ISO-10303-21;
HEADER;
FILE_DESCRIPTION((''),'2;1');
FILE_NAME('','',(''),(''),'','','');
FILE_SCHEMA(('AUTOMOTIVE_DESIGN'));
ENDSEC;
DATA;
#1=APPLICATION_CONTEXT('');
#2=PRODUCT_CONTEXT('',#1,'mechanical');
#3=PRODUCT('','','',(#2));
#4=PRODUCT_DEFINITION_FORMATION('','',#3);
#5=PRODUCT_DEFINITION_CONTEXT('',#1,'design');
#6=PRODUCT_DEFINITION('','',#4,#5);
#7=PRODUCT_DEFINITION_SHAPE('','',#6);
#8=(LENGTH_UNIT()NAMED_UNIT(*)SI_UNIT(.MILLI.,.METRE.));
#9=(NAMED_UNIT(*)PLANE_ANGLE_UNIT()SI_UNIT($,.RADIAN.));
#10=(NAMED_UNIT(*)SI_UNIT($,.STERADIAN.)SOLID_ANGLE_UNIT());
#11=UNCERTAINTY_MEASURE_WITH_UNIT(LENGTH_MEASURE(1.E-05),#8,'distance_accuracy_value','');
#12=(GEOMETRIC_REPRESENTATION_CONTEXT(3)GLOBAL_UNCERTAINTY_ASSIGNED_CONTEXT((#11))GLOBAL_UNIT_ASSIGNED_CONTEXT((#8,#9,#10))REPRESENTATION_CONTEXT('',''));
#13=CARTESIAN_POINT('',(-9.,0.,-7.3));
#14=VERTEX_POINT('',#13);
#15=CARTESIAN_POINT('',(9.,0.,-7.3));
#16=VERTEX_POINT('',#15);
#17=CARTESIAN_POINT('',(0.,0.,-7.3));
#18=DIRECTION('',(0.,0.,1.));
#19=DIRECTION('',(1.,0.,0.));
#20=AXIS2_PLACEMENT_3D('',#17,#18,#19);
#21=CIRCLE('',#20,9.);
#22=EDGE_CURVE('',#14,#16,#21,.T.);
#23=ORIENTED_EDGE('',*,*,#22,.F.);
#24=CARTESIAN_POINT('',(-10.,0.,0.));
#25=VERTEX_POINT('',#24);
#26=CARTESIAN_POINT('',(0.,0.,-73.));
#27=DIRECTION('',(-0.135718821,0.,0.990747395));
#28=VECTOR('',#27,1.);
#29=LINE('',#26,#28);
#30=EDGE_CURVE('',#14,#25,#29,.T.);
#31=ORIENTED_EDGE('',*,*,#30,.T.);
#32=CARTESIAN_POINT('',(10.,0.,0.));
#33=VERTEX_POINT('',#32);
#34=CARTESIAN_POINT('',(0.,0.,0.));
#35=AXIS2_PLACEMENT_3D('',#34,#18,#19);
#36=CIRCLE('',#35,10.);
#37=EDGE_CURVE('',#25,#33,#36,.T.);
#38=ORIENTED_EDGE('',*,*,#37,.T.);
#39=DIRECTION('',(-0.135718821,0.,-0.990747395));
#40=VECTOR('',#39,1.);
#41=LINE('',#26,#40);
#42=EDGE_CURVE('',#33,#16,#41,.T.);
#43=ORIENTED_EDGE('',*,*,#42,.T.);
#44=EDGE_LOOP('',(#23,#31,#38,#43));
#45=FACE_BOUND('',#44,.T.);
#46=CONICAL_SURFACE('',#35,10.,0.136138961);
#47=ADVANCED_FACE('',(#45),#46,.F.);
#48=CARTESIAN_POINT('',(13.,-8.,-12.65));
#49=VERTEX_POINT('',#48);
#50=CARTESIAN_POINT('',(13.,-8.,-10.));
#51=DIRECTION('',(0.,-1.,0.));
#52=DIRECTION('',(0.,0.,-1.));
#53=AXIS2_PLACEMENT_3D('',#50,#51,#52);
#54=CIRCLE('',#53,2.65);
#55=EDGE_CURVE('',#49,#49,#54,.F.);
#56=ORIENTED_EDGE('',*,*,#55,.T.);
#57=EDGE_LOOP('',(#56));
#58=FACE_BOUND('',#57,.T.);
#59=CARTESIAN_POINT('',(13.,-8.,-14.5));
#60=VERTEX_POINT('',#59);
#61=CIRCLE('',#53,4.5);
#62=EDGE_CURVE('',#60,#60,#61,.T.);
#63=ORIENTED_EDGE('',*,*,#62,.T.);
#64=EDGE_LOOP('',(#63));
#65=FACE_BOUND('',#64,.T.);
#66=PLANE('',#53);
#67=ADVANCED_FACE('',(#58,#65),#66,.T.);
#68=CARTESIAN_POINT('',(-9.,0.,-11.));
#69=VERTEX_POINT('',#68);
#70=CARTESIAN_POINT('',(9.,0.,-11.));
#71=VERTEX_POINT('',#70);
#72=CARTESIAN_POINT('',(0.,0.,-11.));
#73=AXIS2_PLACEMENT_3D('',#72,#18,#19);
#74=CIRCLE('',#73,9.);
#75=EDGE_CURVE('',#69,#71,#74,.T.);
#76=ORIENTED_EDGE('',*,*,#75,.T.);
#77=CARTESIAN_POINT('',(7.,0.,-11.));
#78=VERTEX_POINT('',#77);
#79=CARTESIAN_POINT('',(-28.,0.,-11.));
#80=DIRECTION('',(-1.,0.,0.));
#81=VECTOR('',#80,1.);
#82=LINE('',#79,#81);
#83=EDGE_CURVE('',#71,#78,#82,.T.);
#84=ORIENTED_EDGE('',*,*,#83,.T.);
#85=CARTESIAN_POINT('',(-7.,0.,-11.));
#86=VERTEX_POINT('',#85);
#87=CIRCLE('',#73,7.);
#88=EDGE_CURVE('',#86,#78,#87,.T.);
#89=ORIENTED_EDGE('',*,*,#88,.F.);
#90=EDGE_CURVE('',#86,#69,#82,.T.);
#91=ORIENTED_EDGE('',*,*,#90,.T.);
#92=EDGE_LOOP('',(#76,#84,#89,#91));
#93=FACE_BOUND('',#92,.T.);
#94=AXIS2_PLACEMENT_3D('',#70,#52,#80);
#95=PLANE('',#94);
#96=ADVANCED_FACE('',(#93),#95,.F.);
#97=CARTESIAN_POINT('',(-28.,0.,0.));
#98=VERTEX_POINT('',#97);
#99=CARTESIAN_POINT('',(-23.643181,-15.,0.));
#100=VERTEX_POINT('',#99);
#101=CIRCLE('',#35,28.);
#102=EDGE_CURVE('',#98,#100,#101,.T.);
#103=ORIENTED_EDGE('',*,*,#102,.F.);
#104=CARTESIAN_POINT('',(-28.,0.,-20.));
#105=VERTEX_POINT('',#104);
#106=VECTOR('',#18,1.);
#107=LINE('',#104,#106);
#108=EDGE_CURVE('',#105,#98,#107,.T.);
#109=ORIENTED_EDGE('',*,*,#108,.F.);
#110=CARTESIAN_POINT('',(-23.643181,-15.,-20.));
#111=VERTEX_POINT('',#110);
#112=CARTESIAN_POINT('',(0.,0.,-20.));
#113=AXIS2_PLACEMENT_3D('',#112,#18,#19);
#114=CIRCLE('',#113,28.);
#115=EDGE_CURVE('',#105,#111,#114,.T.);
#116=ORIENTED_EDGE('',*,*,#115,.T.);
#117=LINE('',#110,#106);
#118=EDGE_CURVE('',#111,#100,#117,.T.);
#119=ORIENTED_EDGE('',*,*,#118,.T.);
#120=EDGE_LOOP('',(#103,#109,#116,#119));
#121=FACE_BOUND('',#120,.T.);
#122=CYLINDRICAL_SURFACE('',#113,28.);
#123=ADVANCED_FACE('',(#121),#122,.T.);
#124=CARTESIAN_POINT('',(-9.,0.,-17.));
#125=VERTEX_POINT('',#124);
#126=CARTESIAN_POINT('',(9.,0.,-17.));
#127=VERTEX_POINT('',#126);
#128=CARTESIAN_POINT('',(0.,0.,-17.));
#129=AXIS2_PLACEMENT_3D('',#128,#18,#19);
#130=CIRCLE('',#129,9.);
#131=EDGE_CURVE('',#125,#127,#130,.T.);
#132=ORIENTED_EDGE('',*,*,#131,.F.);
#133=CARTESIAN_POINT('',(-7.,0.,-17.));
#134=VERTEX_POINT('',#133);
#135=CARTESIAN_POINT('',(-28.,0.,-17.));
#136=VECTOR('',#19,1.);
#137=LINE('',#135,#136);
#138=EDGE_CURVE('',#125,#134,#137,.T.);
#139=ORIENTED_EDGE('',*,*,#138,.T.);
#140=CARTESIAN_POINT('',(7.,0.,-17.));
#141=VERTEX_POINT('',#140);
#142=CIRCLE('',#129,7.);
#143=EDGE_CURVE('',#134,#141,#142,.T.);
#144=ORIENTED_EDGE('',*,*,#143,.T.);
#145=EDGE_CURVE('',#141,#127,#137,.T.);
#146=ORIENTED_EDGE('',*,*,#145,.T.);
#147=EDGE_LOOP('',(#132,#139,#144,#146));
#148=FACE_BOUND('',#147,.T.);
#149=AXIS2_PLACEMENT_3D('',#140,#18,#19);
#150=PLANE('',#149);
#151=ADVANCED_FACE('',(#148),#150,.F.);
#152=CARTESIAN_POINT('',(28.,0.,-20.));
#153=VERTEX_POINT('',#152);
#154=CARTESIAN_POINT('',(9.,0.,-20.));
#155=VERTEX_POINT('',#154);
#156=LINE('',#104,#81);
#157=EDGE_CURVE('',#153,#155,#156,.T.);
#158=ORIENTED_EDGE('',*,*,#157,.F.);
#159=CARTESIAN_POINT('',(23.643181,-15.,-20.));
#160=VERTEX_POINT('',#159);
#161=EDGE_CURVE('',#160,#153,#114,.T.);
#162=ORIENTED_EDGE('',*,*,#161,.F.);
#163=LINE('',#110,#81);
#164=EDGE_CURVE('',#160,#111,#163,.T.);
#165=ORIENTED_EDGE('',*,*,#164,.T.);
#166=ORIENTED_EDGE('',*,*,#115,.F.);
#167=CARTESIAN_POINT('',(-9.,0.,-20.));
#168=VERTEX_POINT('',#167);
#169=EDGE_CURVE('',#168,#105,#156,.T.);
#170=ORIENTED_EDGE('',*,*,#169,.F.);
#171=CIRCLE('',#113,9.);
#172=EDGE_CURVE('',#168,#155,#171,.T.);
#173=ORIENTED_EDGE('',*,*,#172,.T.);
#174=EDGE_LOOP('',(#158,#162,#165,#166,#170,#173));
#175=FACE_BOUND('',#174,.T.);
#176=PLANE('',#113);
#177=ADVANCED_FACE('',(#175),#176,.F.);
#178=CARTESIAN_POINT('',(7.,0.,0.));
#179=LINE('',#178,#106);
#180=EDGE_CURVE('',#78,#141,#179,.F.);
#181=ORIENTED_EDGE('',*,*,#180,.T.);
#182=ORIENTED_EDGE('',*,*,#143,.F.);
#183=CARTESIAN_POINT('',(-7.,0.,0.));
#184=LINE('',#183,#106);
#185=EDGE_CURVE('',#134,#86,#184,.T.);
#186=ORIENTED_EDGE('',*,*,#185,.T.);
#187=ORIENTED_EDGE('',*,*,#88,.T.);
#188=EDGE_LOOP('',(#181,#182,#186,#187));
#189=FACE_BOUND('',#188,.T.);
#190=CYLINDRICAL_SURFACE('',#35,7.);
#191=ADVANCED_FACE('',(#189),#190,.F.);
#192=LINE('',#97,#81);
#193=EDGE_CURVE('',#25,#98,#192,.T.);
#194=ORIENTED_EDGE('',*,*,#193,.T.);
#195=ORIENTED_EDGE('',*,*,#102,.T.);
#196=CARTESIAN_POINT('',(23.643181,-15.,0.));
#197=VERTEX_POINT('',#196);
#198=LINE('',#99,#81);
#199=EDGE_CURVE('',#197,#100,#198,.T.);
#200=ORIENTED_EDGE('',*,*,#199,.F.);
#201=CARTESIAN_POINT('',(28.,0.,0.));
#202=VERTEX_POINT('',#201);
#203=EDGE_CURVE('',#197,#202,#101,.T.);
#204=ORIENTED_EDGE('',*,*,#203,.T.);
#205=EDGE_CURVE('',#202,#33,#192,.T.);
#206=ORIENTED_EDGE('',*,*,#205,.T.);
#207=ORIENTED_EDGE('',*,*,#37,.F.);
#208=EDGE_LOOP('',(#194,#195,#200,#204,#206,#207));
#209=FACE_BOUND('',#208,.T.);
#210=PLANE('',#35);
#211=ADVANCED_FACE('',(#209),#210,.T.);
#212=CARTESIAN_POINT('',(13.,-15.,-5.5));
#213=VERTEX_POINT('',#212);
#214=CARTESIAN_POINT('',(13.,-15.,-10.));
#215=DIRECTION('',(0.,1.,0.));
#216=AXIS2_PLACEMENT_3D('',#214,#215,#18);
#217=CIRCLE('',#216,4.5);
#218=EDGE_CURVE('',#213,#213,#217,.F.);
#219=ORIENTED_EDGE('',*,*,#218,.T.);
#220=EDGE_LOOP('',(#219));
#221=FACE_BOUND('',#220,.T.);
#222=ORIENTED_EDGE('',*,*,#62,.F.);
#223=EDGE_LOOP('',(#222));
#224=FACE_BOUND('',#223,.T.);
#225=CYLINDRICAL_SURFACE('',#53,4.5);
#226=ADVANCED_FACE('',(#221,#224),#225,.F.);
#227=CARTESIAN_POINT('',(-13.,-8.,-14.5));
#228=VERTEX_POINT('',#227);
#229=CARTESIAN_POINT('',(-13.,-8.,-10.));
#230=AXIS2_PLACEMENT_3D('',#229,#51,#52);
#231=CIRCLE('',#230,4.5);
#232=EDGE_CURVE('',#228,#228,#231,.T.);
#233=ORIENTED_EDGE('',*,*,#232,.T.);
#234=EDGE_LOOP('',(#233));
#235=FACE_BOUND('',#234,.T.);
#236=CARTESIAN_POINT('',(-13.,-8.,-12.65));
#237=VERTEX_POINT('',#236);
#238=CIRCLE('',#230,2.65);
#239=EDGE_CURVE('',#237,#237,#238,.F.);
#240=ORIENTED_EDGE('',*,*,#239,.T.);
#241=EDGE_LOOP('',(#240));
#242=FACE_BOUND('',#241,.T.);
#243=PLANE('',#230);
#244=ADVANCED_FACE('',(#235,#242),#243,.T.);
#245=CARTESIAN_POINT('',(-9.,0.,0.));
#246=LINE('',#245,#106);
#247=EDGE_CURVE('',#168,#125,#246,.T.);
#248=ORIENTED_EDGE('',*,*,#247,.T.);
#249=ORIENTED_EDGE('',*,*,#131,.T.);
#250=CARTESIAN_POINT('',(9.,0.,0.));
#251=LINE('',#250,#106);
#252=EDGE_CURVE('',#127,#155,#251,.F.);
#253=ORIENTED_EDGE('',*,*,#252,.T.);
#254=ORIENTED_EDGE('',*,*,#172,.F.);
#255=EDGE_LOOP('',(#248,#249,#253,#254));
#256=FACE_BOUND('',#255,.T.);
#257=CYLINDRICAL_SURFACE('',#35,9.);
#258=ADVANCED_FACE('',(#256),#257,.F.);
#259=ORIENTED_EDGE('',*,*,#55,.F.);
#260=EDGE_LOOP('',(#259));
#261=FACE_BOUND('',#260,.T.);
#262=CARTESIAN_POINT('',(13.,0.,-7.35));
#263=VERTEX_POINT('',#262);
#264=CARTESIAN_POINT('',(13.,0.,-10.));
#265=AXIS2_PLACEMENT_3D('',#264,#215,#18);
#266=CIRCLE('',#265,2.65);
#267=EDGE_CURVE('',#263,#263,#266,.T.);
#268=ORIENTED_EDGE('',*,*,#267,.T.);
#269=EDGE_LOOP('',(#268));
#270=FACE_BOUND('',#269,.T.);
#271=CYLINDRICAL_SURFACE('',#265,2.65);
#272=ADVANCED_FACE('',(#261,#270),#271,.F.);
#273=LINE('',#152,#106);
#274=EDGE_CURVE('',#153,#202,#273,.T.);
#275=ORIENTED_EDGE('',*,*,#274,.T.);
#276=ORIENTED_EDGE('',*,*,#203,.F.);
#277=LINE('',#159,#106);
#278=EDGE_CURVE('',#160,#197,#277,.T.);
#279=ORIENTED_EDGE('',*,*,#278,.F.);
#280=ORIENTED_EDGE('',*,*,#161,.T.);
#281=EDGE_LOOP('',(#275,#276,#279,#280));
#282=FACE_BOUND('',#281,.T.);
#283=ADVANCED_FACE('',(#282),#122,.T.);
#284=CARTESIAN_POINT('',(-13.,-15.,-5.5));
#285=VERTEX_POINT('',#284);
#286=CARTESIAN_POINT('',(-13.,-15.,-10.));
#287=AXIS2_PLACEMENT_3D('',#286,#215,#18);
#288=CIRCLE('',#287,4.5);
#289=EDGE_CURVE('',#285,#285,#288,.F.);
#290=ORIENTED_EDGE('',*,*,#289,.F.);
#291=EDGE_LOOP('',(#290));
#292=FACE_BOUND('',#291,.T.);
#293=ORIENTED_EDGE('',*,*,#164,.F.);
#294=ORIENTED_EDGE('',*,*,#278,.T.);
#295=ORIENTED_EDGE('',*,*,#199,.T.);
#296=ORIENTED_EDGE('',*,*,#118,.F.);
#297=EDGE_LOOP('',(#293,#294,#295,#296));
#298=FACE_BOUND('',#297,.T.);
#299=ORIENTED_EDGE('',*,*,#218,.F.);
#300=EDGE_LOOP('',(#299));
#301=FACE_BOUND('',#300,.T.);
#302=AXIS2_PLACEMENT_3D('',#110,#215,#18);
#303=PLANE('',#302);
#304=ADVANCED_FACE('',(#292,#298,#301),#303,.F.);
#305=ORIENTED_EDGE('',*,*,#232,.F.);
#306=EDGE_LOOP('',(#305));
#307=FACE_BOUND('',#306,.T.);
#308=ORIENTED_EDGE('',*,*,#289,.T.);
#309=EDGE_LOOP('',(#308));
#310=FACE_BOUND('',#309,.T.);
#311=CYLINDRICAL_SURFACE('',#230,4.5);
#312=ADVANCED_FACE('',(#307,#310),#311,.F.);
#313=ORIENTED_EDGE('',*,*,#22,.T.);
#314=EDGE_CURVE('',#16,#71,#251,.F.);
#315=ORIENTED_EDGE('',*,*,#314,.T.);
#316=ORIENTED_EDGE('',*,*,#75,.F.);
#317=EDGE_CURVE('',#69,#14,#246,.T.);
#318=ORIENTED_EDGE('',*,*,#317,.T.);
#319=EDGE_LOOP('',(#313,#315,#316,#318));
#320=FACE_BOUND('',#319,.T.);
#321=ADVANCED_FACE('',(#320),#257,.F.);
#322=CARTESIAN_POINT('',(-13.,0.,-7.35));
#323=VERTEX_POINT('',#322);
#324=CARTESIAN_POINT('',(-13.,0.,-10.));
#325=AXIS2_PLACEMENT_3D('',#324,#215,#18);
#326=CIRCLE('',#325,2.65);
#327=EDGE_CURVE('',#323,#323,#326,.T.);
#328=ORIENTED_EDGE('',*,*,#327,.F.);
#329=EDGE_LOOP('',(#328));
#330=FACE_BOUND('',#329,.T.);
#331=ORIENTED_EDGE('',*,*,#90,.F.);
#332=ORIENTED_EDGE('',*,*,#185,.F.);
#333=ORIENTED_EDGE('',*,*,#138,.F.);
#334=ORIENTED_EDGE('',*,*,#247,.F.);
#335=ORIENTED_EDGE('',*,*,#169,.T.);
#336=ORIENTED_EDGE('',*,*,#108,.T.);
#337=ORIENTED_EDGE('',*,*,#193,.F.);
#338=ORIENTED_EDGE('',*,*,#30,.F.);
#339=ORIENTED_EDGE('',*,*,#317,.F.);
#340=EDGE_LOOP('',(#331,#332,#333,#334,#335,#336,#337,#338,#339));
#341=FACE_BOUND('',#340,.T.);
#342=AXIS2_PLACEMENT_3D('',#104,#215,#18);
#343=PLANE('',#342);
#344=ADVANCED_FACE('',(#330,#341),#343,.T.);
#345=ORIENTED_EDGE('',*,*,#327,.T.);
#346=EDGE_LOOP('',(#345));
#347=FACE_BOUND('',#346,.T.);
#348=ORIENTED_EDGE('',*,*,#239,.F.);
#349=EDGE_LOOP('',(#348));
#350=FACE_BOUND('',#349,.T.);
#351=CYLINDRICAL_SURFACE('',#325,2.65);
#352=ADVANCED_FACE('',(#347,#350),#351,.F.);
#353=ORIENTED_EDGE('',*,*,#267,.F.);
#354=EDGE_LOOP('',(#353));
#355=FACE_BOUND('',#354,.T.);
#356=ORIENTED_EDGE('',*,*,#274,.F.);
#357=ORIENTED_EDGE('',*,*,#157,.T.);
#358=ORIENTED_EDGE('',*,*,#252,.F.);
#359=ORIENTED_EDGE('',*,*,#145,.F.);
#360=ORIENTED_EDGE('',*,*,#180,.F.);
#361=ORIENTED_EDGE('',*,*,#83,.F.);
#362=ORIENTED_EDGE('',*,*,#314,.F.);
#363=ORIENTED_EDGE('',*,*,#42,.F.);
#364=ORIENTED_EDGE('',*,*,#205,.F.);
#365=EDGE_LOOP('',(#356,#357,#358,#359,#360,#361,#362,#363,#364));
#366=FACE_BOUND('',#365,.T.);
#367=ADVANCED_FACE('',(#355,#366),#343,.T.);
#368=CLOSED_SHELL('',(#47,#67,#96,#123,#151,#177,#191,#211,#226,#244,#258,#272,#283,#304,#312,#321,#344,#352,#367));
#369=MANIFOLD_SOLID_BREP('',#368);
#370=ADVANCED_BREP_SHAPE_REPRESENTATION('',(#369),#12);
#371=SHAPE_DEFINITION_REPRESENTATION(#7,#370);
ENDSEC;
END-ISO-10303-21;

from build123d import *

# Parameters (mm, degrees)
BOSS_EXTRU_1_DEPTH      = 20
D_GAGEMENT_M51_D        = 5.3
D_GAGEMENT_M51_DEPTH    = 45
D_GAGEMENT_M51_TIP      = 1.59228064
ESQUISSE5_R             = 4.5
ENL_V_MAT_EXTRU_1_DEPTH = 20
ENL_V_MAT_EXTRU_2_DEPTH = 20


with BuildPart() as part:
    # Esquisse1 → Boss.-Extru.1 (new body)
    with BuildSketch(Plane.XY):
        with BuildLine():
            Line((-28, 0), (28, 0))
            ThreePointArc((28, 0), (0, -28), (-28, 0))
        make_face()
    extrude(amount=-BOSS_EXTRU_1_DEPTH)

    # Esquisse2 → Enlèvement de matière-Révolution1 (revolve, cut)
    with BuildSketch(Plane(origin=(0, 0, 0), x_dir=(1, 0, 0), z_dir=(0, 1, 0))):
        Polygon((12.15, 24), (12.15, 25), (0, 25), (0, 0), (10, 0), (9, 7.3), (9, 11), (7, 11), (7, 17), (9, 17), (9, 20), (7.25, 20), (7.25, 21.5), (9, 21.5), (9, 22.5), (7.25, 22.5), (7.25, 24), align=None)
    revolve(axis=Axis((0, 0, 0), (0, 0, -1)), mode=Mode.SUBTRACT)

    # Dégagement M51
    with Locations(Plane(origin=(0, 0, 0), x_dir=(1, 0, 0), z_dir=(0, 1, 0))):
        with Locations((-13, 10), (13, 10)):
            Hole(D_GAGEMENT_M51_D / 2, depth=D_GAGEMENT_M51_DEPTH)
            with Locations((0, 0, -(D_GAGEMENT_M51_DEPTH + D_GAGEMENT_M51_TIP / 2))):  # 118° drill point
                Cone(0, D_GAGEMENT_M51_D / 2, D_GAGEMENT_M51_TIP, mode=Mode.SUBTRACT)

    # Esquisse5 → Enlèv. mat.-Extru.1 (cut)
    with BuildSketch(Plane(origin=(0, -28, 0), x_dir=(0, 0, 1), z_dir=(0, -1, 0))):
        with Locations(Location((-10, 13, 0), (0, 0, 180))):
            Circle(ESQUISSE5_R)
        with Locations(Location((-10, -13, 0), (0, 0, 180))):
            Circle(ESQUISSE5_R)
    extrude(amount=-ENL_V_MAT_EXTRU_1_DEPTH, mode=Mode.SUBTRACT)

    # Esquisse6 → Enlèv. mat.-Extru.2 (cut)
    with BuildSketch(Plane.XY):
        with BuildLine():
            Line((-23.643180835, -15), (23.643180835, -15))
            ThreePointArc((23.643180835, -15), (0, -28), (-23.643180835, -15))
        make_face()
    extrude(amount=-ENL_V_MAT_EXTRU_2_DEPTH, mode=Mode.SUBTRACT)


solid = part.part
